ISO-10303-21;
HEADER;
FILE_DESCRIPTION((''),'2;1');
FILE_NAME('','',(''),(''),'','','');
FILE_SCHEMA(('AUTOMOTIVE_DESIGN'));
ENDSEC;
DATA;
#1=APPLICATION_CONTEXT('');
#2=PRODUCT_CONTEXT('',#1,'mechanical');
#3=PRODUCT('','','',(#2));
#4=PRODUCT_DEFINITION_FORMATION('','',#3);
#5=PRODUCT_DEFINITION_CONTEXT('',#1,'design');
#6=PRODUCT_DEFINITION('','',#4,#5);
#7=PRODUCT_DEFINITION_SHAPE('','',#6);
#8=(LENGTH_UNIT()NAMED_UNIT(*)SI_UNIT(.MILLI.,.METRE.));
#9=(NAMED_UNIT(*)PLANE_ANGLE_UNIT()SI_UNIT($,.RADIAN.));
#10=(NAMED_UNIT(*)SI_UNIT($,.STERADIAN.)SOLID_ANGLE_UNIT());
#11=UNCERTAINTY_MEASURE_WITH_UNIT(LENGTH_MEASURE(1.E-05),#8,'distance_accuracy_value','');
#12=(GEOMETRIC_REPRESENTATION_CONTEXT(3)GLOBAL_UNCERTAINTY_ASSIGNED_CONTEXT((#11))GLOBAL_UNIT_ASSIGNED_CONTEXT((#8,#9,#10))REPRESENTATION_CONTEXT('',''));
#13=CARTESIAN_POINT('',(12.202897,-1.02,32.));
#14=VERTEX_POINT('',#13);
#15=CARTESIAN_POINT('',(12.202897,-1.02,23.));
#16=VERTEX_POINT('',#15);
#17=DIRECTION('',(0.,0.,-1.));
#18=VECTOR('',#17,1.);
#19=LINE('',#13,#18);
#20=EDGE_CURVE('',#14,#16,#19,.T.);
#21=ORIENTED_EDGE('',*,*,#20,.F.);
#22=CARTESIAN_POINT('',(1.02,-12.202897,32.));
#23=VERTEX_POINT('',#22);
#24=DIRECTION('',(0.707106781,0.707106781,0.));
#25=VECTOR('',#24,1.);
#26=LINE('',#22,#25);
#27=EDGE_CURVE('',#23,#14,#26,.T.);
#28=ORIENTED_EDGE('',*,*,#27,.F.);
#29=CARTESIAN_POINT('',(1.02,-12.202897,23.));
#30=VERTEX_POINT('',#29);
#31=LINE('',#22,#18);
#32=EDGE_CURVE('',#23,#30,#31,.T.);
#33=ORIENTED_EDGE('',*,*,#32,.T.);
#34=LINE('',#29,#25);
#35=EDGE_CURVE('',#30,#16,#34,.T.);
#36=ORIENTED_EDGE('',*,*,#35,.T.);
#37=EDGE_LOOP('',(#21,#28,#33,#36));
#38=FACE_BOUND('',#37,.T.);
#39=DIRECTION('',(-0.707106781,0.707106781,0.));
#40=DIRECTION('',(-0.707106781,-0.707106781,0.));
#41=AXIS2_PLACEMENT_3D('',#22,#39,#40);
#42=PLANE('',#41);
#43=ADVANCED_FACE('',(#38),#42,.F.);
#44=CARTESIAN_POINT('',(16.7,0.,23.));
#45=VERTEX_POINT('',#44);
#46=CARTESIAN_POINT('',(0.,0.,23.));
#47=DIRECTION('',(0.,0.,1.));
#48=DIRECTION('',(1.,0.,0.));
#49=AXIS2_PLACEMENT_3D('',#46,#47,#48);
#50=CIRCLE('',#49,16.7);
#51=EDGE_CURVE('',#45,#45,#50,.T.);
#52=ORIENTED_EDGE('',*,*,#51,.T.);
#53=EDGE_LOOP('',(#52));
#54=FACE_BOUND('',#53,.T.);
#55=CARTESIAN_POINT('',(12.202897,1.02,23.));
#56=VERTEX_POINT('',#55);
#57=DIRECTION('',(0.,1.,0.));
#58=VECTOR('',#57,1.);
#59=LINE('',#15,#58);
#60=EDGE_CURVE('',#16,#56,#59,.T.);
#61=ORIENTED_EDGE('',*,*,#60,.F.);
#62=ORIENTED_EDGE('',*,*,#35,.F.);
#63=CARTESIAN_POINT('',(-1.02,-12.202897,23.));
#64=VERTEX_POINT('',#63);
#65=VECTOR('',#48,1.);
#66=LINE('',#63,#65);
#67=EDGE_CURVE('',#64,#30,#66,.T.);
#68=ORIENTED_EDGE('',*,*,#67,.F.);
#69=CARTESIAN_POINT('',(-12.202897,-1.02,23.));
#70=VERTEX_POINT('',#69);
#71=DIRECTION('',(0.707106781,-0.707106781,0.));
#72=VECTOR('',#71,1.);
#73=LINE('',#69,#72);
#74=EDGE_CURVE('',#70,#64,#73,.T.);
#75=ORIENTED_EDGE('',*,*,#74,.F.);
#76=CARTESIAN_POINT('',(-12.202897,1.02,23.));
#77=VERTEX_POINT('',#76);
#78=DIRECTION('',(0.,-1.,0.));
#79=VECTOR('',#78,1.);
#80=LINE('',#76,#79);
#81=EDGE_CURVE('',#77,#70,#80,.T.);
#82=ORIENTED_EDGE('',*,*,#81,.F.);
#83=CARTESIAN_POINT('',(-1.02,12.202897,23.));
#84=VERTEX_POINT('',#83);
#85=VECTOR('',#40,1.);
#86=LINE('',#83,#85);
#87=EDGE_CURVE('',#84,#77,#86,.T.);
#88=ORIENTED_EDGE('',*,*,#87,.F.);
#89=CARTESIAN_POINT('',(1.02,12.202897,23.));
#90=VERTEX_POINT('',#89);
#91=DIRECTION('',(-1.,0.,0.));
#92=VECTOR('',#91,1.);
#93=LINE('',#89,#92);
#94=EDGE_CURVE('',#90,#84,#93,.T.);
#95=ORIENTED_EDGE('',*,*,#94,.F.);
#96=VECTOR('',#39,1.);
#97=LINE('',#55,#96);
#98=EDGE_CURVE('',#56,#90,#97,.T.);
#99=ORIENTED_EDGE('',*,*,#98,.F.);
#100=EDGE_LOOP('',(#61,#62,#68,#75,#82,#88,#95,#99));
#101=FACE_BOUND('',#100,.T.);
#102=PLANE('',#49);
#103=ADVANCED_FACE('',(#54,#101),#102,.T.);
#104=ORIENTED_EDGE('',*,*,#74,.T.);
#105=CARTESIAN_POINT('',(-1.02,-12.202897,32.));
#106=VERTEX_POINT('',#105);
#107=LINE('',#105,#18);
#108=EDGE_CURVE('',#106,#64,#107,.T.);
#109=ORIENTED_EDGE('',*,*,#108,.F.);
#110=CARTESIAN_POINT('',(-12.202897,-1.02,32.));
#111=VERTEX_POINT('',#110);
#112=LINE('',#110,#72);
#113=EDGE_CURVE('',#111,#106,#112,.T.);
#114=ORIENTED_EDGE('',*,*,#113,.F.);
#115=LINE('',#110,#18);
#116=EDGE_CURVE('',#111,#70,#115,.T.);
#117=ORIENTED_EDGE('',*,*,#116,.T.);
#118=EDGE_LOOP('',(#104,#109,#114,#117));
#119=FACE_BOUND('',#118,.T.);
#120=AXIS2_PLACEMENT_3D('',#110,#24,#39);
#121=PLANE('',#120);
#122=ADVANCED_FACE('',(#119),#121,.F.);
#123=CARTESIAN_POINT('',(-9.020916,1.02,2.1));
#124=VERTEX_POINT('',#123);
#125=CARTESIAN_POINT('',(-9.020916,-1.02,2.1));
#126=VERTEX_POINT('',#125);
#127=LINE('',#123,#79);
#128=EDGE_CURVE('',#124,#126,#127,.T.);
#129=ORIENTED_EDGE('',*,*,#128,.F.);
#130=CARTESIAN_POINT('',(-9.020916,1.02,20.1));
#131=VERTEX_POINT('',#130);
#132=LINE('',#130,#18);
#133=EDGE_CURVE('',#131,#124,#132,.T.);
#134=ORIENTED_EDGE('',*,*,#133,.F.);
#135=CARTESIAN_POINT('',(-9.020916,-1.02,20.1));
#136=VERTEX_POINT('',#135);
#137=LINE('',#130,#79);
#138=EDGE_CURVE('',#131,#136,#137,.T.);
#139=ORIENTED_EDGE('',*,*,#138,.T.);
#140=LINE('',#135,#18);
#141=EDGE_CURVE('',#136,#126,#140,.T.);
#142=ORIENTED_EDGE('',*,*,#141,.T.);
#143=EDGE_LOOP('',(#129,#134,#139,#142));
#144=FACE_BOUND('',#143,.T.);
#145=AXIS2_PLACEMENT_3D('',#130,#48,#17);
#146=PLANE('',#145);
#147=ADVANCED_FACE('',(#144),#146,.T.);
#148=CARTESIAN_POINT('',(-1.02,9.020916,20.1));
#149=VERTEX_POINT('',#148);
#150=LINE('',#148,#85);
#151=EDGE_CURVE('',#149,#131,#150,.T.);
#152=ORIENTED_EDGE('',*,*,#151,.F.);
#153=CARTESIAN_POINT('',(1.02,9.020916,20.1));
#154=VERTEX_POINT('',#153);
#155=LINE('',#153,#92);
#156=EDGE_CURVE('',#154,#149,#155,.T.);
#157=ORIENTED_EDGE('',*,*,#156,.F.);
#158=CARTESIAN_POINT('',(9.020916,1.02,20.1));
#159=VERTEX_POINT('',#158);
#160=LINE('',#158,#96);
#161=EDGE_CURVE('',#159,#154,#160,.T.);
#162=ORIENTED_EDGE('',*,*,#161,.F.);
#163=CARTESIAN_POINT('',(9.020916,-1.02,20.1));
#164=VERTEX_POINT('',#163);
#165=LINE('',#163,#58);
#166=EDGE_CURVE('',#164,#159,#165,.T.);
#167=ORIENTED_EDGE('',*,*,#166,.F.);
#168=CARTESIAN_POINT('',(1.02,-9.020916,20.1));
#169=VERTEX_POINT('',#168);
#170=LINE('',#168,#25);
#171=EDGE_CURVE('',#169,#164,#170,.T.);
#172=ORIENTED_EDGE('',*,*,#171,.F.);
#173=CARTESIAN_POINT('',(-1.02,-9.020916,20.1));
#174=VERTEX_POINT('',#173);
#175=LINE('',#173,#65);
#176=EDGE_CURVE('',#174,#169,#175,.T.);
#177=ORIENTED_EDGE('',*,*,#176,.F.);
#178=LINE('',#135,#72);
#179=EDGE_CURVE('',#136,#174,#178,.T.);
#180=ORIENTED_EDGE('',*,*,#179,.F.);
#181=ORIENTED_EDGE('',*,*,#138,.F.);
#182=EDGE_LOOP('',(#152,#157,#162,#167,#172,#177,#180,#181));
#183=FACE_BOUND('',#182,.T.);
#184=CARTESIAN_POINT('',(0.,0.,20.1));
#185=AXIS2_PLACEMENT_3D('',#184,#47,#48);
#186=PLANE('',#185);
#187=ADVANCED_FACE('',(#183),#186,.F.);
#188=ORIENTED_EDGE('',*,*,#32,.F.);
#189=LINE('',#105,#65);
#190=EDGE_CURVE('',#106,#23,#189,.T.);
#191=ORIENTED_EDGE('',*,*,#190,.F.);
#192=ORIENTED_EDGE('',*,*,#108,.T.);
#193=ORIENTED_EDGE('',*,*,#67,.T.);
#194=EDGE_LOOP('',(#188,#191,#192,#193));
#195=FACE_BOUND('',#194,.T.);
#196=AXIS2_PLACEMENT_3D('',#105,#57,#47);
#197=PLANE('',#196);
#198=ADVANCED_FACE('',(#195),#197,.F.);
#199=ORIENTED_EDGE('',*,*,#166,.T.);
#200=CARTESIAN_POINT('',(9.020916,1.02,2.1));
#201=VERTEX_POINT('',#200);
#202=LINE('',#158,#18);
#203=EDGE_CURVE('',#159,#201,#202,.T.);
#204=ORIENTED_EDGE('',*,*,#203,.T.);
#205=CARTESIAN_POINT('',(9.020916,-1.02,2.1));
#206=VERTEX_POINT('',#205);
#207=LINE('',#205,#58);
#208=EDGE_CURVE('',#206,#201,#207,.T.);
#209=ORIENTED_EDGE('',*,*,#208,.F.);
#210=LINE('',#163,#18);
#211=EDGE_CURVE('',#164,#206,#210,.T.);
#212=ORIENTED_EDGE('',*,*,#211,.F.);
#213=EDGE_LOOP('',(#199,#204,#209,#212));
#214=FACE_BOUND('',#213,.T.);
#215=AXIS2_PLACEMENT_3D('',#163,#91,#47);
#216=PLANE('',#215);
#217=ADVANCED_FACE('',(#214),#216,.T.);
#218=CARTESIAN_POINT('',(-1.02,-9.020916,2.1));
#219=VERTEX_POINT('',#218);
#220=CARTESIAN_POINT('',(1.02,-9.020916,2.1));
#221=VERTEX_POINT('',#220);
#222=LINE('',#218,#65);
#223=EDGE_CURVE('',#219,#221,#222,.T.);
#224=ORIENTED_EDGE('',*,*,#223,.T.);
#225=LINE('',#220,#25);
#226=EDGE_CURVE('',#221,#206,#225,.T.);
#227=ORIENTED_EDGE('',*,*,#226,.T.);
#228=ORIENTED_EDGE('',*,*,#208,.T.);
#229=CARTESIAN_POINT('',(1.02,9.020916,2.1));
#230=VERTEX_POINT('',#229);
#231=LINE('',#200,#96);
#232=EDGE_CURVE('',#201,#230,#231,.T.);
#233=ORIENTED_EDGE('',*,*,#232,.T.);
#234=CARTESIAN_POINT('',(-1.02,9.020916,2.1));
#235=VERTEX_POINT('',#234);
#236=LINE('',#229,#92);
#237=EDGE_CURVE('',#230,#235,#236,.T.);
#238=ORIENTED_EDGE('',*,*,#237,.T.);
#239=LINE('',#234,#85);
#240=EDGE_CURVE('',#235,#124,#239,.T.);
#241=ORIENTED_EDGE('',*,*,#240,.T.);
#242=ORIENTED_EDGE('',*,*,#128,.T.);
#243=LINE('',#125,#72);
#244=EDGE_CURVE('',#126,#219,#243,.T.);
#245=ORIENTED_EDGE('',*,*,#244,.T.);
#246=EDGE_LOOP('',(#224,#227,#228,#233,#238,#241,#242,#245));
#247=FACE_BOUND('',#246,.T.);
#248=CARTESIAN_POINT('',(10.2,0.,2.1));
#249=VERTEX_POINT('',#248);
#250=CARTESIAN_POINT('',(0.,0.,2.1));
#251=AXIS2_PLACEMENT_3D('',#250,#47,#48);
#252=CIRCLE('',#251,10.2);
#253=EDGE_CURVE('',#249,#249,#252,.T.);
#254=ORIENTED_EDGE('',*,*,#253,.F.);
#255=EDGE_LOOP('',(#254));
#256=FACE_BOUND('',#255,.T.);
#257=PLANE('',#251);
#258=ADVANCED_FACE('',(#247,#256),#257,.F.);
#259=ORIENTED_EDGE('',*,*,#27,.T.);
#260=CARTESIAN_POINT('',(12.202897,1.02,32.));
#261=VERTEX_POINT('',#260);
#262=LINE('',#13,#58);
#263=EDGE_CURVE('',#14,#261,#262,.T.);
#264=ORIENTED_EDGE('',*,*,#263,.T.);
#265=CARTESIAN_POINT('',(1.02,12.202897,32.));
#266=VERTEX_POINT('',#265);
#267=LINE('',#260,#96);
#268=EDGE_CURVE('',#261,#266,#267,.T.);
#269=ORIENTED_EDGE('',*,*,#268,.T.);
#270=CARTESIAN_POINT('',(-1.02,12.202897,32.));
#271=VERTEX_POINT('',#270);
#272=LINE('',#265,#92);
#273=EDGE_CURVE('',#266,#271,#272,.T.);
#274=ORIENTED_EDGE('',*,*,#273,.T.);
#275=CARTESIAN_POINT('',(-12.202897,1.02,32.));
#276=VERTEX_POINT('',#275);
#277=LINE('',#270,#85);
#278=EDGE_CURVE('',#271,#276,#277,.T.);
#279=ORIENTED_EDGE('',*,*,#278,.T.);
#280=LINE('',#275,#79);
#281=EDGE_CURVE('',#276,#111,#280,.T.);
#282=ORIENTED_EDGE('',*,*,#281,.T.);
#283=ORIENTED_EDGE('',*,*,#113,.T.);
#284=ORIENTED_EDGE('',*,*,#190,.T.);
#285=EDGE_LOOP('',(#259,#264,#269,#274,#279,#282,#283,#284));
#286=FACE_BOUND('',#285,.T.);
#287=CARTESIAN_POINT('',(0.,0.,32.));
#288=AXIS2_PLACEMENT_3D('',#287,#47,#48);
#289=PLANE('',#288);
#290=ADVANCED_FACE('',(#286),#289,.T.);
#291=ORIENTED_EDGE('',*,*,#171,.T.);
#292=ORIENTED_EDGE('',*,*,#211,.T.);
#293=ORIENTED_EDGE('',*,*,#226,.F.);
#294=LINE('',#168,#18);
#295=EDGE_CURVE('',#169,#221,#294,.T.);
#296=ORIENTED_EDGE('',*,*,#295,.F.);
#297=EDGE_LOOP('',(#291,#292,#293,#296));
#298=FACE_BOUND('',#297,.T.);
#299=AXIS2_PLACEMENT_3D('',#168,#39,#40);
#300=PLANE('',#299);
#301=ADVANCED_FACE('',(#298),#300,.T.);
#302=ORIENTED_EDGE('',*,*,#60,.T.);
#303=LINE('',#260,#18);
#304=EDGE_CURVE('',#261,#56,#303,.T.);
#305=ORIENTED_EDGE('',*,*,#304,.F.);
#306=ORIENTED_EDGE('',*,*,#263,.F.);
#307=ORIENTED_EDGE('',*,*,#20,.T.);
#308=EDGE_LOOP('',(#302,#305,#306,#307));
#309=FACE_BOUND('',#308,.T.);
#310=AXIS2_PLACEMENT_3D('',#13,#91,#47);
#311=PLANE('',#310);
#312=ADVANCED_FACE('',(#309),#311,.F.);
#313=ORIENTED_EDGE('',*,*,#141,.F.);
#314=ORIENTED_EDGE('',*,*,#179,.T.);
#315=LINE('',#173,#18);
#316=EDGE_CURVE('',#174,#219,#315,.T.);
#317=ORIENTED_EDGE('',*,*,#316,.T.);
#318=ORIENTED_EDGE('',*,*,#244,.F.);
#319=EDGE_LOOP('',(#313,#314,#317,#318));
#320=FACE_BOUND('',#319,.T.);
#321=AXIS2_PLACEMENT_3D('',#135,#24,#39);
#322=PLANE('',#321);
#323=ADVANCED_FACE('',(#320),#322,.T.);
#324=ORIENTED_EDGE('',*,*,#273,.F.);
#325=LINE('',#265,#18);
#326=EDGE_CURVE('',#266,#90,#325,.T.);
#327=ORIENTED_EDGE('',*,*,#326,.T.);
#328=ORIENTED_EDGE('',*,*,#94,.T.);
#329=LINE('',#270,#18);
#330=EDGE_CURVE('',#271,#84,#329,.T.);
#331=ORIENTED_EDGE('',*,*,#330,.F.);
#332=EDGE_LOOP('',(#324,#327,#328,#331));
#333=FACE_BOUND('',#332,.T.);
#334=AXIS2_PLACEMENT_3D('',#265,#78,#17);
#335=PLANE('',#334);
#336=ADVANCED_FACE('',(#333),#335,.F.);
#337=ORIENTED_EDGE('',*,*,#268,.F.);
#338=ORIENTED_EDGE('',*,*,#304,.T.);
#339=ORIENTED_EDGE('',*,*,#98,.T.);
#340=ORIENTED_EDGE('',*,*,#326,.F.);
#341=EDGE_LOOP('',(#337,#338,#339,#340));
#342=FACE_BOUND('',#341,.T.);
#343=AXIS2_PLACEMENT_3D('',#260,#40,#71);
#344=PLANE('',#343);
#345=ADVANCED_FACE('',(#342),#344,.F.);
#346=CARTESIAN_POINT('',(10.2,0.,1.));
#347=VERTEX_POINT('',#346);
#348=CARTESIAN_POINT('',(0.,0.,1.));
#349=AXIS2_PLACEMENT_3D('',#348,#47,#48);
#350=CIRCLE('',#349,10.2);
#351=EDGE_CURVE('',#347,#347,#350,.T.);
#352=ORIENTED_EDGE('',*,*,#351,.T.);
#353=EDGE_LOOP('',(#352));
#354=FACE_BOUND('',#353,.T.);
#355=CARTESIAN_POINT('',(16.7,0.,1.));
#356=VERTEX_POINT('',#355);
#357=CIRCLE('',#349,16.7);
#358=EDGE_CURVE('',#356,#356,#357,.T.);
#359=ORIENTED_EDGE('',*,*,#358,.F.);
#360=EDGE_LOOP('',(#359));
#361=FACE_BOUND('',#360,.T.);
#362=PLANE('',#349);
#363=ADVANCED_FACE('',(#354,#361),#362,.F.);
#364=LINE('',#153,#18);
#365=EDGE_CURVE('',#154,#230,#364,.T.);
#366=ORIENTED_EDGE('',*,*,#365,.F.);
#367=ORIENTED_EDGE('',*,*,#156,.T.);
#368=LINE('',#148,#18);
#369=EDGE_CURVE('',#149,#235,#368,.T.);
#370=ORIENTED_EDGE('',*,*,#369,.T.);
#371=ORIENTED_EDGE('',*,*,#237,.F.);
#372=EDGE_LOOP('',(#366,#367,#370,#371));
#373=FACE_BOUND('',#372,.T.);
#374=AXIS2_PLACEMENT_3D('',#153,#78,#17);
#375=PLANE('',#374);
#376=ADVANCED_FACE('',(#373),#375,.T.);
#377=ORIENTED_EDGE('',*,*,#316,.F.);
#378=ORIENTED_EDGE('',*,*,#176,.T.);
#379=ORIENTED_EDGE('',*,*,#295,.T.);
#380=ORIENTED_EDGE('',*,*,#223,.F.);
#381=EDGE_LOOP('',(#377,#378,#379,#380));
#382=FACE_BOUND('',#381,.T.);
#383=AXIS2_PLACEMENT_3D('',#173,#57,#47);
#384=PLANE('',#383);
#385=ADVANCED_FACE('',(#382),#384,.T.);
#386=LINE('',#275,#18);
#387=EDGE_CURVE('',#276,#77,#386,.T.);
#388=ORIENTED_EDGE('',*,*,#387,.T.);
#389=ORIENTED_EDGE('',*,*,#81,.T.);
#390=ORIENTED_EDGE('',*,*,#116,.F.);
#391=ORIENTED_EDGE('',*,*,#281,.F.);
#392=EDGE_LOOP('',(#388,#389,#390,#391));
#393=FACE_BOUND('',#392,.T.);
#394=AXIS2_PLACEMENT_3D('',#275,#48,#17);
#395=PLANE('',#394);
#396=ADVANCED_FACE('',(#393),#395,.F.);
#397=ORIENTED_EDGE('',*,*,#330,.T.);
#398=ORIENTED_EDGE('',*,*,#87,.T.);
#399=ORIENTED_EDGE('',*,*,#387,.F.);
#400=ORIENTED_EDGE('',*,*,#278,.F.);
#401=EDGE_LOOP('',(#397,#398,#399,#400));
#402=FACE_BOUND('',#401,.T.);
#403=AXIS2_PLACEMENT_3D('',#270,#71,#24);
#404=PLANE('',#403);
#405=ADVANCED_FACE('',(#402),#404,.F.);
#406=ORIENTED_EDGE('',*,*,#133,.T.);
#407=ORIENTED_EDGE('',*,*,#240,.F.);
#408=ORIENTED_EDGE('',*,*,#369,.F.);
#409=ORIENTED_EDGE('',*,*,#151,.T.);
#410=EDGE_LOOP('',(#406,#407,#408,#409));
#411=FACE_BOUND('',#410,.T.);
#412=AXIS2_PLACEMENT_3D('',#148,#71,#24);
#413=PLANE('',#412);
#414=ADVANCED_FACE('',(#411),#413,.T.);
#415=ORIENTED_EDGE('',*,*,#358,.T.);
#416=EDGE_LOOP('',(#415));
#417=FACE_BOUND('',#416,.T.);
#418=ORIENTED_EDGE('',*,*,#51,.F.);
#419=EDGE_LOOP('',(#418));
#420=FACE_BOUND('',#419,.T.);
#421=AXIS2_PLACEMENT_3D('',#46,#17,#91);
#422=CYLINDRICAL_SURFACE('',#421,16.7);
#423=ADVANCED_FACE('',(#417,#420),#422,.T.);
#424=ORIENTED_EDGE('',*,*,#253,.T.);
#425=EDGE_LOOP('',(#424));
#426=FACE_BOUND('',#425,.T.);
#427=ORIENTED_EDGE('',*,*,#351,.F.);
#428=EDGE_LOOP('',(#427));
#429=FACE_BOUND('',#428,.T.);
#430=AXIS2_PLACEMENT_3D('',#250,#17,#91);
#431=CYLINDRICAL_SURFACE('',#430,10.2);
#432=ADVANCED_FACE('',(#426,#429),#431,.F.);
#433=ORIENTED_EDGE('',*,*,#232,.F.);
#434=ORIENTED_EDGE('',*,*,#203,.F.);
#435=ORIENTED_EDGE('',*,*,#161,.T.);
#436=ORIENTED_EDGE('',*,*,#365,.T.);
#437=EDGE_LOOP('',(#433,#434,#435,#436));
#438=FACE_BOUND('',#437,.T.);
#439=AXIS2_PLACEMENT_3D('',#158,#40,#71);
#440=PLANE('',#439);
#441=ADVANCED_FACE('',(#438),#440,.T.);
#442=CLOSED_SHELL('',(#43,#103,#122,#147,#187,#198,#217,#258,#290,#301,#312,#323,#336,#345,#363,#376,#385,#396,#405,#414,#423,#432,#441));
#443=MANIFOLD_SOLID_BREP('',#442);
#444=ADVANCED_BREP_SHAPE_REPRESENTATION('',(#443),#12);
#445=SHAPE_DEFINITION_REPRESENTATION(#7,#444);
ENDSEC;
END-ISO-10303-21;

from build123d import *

# Parameters (mm, degrees)
REPLACEABLE_START                           = 1
SKETCH1_R                                   = 16.7
REPLACEABLE_DRIVE_INSERT_BODY_DEPTH         = 22
COMMON_START                                = 23
COMMON_POSITIVE_DRIVE_TANG_DEPTH            = 9
VALVE_START                                 = 1
VALVE_STEM_SOCKET_NOMINAL_FLATS_14_MM_DEPTH = 19.1
STEM_START                                  = 1
SKETCH4_R                                   = 10.2
STEM_CORNER_CLEARANCE_AT_ENTRY_DEPTH        = 1.1


with BuildPart() as part:
    # Sketch1 → Replaceable drive insert body (new body)
    with BuildSketch(Plane.XY.offset(REPLACEABLE_START)):
        Circle(SKETCH1_R)
    extrude(amount=REPLACEABLE_DRIVE_INSERT_BODY_DEPTH)

    # Sketch2 → Common positive drive tang (add)
    with BuildSketch(Plane.XY.offset(COMMON_START)):
        Polygon((1.02, 12.202896808), (-1.02, 12.202896808), (-12.202896808, 1.02), (-12.202896808, -1.02), (-1.02, -12.202896808), (1.02, -12.202896808), (12.202896808, -1.02), (12.202896808, 1.02), align=None)
    extrude(amount=COMMON_POSITIVE_DRIVE_TANG_DEPTH)

    # Sketch3 → Valve stem socket, nominal flats 14 mm (cut)
    with BuildSketch(Plane.XY.offset(VALVE_START)):
        Polygon((1.02, 9.020916293), (-1.02, 9.020916293), (-9.020916293, 1.02), (-9.020916293, -1.02), (-1.02, -9.020916293), (1.02, -9.020916293), (9.020916293, -1.02), (9.020916293, 1.02), align=None)
    extrude(amount=VALVE_STEM_SOCKET_NOMINAL_FLATS_14_MM_DEPTH, mode=Mode.SUBTRACT)

    # Sketch4 → Stem corner clearance at entry (cut)
    with BuildSketch(Plane.XY.offset(STEM_START)):
        Circle(SKETCH4_R)
    extrude(amount=STEM_CORNER_CLEARANCE_AT_ENTRY_DEPTH, mode=Mode.SUBTRACT)


solid = part.part
